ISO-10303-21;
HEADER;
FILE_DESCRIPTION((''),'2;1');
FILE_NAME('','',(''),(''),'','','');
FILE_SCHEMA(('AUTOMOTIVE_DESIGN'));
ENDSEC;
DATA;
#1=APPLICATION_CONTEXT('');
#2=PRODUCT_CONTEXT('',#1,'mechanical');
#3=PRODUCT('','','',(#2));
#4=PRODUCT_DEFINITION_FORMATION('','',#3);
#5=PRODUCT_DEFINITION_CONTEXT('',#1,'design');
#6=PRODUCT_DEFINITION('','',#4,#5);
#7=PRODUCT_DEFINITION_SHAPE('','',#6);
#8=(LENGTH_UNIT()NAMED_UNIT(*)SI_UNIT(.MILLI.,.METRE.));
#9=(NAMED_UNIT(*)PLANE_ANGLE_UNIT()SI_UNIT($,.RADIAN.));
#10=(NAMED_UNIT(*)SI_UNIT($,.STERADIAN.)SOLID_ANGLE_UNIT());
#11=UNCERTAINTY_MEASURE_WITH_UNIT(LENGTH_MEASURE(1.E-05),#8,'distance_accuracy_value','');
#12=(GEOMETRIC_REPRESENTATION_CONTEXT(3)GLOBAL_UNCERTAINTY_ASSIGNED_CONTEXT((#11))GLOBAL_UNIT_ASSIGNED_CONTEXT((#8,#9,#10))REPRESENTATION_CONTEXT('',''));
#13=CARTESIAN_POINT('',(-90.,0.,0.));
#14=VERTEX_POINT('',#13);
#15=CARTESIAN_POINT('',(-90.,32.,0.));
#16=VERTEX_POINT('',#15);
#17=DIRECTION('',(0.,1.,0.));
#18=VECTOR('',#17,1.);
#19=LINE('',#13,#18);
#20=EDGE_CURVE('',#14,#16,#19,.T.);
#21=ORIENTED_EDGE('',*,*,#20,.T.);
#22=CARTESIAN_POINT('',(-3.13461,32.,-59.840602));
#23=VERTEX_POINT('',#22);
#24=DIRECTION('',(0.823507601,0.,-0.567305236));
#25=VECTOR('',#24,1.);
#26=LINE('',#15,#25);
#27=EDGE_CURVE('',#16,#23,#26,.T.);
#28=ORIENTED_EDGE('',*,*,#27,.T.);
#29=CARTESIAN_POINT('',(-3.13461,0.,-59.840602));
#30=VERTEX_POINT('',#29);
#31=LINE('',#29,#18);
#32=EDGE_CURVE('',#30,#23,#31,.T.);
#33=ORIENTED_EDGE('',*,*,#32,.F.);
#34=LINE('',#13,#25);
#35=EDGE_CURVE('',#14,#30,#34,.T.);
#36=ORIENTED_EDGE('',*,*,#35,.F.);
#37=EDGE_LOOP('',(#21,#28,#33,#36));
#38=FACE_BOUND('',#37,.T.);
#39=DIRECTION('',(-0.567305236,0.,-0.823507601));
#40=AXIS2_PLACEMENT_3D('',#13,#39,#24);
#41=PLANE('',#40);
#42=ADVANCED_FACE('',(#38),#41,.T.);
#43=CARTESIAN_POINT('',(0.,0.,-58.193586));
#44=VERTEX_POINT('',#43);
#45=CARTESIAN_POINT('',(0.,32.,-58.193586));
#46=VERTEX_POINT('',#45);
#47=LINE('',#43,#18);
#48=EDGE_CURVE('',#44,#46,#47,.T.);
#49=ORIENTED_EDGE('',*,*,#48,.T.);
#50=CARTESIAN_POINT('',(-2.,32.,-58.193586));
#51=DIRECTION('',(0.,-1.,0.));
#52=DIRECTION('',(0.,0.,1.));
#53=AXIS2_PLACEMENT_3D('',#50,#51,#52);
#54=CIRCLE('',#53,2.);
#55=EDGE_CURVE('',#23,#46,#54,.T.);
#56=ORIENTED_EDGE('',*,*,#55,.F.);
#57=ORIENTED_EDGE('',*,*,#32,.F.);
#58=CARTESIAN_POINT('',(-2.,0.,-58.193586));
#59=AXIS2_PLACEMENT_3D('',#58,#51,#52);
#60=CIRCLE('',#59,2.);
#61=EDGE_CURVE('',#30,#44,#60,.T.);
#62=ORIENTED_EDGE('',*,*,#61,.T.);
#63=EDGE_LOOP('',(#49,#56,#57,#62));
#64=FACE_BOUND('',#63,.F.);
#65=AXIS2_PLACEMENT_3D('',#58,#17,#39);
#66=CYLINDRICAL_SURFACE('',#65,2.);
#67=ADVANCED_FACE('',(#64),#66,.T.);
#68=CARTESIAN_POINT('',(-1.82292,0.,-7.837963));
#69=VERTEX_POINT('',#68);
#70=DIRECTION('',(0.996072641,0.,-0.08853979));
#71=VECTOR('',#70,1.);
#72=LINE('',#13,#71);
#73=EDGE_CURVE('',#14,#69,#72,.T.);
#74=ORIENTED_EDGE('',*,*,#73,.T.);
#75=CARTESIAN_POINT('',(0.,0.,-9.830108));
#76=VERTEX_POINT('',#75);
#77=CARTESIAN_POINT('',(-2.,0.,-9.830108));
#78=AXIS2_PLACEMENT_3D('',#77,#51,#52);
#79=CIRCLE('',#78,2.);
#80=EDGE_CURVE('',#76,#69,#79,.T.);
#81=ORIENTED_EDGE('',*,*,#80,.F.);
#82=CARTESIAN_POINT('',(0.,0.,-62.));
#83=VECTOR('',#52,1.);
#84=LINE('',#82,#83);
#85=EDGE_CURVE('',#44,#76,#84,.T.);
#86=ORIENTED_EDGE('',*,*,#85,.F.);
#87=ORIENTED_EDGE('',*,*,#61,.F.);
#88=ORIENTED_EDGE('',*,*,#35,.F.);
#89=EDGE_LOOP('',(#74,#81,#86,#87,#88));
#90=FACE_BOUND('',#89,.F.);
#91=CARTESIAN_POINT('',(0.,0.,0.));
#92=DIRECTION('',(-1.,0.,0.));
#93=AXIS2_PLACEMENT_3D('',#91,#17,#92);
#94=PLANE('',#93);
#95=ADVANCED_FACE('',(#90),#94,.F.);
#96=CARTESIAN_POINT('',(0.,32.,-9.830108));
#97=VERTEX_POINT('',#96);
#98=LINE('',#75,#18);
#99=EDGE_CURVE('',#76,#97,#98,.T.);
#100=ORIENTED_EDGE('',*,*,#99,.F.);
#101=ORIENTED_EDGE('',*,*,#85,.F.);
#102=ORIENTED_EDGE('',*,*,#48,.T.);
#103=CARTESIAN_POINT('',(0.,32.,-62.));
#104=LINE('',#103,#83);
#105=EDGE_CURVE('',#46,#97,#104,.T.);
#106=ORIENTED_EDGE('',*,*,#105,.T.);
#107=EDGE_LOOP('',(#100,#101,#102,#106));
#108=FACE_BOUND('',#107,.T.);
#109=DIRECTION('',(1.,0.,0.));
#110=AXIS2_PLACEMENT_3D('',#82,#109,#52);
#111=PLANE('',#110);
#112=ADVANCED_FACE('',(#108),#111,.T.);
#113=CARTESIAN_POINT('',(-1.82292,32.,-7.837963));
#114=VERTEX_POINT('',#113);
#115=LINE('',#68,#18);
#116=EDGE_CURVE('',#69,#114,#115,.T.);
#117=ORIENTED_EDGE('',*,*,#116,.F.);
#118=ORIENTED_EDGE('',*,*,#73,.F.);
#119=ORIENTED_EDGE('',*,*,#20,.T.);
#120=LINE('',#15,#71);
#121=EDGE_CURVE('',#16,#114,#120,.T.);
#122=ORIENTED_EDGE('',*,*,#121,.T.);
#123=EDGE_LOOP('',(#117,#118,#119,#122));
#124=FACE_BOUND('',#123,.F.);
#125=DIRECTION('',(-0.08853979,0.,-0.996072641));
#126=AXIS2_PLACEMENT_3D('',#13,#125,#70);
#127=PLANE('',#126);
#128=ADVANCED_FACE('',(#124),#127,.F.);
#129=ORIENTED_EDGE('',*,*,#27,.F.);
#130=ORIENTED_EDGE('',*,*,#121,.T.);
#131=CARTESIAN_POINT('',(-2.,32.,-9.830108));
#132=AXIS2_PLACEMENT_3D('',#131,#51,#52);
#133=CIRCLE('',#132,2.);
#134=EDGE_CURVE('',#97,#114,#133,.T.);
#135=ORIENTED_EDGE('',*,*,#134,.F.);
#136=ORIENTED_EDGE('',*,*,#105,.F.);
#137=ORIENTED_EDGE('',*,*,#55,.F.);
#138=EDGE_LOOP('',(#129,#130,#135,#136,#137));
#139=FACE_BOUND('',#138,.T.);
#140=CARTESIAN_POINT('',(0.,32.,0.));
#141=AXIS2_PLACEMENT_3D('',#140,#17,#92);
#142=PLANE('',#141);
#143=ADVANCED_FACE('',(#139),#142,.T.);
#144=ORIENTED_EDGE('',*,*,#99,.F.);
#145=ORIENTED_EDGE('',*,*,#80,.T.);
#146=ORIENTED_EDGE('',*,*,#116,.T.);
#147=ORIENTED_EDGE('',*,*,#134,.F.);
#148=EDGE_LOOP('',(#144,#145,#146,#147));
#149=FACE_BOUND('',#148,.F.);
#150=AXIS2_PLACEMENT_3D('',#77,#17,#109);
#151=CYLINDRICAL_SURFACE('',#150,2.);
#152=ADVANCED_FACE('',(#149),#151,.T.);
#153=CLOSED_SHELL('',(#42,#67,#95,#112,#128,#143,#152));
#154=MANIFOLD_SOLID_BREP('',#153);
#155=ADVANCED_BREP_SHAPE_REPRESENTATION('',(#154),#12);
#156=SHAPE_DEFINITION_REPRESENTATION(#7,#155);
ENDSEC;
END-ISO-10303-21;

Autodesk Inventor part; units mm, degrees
ref_plane "YZ Plane" through (0, 0, 0) normal (1, 0, 0) x (0, 1, 0)
ref_plane "XZ Plane" through (0, 0, 0) normal (0, 1, 0) x (-1, 0, 0)
ref_plane "XY Plane" through (0, 0, 0) normal (0, 0, 1) x (1, 0, 0)
sketch "Sketch1" plane through (0, 0, 0) normal (0, 1, 0) x (-1, 0, 0)
  line L0 (0, 0) -> (90, 0)
  line L1 (90, 0) -> (0, -62)
  line L2 (0, -62) -> (0, 0)
  line L3 (90, 0) -> (0, -8)
  dimension "d8" = 90
  dimension "d9" = 62
  dimension "d10" = 54
extrude "Extrusion1" add sketch "Sketch1" along normal blind 32 contours L1 L2 L3
fillet "Fillet3" radius 2 2 edges at (0, 16, -8) (0, 16, -62)
properties part number "ramp"
